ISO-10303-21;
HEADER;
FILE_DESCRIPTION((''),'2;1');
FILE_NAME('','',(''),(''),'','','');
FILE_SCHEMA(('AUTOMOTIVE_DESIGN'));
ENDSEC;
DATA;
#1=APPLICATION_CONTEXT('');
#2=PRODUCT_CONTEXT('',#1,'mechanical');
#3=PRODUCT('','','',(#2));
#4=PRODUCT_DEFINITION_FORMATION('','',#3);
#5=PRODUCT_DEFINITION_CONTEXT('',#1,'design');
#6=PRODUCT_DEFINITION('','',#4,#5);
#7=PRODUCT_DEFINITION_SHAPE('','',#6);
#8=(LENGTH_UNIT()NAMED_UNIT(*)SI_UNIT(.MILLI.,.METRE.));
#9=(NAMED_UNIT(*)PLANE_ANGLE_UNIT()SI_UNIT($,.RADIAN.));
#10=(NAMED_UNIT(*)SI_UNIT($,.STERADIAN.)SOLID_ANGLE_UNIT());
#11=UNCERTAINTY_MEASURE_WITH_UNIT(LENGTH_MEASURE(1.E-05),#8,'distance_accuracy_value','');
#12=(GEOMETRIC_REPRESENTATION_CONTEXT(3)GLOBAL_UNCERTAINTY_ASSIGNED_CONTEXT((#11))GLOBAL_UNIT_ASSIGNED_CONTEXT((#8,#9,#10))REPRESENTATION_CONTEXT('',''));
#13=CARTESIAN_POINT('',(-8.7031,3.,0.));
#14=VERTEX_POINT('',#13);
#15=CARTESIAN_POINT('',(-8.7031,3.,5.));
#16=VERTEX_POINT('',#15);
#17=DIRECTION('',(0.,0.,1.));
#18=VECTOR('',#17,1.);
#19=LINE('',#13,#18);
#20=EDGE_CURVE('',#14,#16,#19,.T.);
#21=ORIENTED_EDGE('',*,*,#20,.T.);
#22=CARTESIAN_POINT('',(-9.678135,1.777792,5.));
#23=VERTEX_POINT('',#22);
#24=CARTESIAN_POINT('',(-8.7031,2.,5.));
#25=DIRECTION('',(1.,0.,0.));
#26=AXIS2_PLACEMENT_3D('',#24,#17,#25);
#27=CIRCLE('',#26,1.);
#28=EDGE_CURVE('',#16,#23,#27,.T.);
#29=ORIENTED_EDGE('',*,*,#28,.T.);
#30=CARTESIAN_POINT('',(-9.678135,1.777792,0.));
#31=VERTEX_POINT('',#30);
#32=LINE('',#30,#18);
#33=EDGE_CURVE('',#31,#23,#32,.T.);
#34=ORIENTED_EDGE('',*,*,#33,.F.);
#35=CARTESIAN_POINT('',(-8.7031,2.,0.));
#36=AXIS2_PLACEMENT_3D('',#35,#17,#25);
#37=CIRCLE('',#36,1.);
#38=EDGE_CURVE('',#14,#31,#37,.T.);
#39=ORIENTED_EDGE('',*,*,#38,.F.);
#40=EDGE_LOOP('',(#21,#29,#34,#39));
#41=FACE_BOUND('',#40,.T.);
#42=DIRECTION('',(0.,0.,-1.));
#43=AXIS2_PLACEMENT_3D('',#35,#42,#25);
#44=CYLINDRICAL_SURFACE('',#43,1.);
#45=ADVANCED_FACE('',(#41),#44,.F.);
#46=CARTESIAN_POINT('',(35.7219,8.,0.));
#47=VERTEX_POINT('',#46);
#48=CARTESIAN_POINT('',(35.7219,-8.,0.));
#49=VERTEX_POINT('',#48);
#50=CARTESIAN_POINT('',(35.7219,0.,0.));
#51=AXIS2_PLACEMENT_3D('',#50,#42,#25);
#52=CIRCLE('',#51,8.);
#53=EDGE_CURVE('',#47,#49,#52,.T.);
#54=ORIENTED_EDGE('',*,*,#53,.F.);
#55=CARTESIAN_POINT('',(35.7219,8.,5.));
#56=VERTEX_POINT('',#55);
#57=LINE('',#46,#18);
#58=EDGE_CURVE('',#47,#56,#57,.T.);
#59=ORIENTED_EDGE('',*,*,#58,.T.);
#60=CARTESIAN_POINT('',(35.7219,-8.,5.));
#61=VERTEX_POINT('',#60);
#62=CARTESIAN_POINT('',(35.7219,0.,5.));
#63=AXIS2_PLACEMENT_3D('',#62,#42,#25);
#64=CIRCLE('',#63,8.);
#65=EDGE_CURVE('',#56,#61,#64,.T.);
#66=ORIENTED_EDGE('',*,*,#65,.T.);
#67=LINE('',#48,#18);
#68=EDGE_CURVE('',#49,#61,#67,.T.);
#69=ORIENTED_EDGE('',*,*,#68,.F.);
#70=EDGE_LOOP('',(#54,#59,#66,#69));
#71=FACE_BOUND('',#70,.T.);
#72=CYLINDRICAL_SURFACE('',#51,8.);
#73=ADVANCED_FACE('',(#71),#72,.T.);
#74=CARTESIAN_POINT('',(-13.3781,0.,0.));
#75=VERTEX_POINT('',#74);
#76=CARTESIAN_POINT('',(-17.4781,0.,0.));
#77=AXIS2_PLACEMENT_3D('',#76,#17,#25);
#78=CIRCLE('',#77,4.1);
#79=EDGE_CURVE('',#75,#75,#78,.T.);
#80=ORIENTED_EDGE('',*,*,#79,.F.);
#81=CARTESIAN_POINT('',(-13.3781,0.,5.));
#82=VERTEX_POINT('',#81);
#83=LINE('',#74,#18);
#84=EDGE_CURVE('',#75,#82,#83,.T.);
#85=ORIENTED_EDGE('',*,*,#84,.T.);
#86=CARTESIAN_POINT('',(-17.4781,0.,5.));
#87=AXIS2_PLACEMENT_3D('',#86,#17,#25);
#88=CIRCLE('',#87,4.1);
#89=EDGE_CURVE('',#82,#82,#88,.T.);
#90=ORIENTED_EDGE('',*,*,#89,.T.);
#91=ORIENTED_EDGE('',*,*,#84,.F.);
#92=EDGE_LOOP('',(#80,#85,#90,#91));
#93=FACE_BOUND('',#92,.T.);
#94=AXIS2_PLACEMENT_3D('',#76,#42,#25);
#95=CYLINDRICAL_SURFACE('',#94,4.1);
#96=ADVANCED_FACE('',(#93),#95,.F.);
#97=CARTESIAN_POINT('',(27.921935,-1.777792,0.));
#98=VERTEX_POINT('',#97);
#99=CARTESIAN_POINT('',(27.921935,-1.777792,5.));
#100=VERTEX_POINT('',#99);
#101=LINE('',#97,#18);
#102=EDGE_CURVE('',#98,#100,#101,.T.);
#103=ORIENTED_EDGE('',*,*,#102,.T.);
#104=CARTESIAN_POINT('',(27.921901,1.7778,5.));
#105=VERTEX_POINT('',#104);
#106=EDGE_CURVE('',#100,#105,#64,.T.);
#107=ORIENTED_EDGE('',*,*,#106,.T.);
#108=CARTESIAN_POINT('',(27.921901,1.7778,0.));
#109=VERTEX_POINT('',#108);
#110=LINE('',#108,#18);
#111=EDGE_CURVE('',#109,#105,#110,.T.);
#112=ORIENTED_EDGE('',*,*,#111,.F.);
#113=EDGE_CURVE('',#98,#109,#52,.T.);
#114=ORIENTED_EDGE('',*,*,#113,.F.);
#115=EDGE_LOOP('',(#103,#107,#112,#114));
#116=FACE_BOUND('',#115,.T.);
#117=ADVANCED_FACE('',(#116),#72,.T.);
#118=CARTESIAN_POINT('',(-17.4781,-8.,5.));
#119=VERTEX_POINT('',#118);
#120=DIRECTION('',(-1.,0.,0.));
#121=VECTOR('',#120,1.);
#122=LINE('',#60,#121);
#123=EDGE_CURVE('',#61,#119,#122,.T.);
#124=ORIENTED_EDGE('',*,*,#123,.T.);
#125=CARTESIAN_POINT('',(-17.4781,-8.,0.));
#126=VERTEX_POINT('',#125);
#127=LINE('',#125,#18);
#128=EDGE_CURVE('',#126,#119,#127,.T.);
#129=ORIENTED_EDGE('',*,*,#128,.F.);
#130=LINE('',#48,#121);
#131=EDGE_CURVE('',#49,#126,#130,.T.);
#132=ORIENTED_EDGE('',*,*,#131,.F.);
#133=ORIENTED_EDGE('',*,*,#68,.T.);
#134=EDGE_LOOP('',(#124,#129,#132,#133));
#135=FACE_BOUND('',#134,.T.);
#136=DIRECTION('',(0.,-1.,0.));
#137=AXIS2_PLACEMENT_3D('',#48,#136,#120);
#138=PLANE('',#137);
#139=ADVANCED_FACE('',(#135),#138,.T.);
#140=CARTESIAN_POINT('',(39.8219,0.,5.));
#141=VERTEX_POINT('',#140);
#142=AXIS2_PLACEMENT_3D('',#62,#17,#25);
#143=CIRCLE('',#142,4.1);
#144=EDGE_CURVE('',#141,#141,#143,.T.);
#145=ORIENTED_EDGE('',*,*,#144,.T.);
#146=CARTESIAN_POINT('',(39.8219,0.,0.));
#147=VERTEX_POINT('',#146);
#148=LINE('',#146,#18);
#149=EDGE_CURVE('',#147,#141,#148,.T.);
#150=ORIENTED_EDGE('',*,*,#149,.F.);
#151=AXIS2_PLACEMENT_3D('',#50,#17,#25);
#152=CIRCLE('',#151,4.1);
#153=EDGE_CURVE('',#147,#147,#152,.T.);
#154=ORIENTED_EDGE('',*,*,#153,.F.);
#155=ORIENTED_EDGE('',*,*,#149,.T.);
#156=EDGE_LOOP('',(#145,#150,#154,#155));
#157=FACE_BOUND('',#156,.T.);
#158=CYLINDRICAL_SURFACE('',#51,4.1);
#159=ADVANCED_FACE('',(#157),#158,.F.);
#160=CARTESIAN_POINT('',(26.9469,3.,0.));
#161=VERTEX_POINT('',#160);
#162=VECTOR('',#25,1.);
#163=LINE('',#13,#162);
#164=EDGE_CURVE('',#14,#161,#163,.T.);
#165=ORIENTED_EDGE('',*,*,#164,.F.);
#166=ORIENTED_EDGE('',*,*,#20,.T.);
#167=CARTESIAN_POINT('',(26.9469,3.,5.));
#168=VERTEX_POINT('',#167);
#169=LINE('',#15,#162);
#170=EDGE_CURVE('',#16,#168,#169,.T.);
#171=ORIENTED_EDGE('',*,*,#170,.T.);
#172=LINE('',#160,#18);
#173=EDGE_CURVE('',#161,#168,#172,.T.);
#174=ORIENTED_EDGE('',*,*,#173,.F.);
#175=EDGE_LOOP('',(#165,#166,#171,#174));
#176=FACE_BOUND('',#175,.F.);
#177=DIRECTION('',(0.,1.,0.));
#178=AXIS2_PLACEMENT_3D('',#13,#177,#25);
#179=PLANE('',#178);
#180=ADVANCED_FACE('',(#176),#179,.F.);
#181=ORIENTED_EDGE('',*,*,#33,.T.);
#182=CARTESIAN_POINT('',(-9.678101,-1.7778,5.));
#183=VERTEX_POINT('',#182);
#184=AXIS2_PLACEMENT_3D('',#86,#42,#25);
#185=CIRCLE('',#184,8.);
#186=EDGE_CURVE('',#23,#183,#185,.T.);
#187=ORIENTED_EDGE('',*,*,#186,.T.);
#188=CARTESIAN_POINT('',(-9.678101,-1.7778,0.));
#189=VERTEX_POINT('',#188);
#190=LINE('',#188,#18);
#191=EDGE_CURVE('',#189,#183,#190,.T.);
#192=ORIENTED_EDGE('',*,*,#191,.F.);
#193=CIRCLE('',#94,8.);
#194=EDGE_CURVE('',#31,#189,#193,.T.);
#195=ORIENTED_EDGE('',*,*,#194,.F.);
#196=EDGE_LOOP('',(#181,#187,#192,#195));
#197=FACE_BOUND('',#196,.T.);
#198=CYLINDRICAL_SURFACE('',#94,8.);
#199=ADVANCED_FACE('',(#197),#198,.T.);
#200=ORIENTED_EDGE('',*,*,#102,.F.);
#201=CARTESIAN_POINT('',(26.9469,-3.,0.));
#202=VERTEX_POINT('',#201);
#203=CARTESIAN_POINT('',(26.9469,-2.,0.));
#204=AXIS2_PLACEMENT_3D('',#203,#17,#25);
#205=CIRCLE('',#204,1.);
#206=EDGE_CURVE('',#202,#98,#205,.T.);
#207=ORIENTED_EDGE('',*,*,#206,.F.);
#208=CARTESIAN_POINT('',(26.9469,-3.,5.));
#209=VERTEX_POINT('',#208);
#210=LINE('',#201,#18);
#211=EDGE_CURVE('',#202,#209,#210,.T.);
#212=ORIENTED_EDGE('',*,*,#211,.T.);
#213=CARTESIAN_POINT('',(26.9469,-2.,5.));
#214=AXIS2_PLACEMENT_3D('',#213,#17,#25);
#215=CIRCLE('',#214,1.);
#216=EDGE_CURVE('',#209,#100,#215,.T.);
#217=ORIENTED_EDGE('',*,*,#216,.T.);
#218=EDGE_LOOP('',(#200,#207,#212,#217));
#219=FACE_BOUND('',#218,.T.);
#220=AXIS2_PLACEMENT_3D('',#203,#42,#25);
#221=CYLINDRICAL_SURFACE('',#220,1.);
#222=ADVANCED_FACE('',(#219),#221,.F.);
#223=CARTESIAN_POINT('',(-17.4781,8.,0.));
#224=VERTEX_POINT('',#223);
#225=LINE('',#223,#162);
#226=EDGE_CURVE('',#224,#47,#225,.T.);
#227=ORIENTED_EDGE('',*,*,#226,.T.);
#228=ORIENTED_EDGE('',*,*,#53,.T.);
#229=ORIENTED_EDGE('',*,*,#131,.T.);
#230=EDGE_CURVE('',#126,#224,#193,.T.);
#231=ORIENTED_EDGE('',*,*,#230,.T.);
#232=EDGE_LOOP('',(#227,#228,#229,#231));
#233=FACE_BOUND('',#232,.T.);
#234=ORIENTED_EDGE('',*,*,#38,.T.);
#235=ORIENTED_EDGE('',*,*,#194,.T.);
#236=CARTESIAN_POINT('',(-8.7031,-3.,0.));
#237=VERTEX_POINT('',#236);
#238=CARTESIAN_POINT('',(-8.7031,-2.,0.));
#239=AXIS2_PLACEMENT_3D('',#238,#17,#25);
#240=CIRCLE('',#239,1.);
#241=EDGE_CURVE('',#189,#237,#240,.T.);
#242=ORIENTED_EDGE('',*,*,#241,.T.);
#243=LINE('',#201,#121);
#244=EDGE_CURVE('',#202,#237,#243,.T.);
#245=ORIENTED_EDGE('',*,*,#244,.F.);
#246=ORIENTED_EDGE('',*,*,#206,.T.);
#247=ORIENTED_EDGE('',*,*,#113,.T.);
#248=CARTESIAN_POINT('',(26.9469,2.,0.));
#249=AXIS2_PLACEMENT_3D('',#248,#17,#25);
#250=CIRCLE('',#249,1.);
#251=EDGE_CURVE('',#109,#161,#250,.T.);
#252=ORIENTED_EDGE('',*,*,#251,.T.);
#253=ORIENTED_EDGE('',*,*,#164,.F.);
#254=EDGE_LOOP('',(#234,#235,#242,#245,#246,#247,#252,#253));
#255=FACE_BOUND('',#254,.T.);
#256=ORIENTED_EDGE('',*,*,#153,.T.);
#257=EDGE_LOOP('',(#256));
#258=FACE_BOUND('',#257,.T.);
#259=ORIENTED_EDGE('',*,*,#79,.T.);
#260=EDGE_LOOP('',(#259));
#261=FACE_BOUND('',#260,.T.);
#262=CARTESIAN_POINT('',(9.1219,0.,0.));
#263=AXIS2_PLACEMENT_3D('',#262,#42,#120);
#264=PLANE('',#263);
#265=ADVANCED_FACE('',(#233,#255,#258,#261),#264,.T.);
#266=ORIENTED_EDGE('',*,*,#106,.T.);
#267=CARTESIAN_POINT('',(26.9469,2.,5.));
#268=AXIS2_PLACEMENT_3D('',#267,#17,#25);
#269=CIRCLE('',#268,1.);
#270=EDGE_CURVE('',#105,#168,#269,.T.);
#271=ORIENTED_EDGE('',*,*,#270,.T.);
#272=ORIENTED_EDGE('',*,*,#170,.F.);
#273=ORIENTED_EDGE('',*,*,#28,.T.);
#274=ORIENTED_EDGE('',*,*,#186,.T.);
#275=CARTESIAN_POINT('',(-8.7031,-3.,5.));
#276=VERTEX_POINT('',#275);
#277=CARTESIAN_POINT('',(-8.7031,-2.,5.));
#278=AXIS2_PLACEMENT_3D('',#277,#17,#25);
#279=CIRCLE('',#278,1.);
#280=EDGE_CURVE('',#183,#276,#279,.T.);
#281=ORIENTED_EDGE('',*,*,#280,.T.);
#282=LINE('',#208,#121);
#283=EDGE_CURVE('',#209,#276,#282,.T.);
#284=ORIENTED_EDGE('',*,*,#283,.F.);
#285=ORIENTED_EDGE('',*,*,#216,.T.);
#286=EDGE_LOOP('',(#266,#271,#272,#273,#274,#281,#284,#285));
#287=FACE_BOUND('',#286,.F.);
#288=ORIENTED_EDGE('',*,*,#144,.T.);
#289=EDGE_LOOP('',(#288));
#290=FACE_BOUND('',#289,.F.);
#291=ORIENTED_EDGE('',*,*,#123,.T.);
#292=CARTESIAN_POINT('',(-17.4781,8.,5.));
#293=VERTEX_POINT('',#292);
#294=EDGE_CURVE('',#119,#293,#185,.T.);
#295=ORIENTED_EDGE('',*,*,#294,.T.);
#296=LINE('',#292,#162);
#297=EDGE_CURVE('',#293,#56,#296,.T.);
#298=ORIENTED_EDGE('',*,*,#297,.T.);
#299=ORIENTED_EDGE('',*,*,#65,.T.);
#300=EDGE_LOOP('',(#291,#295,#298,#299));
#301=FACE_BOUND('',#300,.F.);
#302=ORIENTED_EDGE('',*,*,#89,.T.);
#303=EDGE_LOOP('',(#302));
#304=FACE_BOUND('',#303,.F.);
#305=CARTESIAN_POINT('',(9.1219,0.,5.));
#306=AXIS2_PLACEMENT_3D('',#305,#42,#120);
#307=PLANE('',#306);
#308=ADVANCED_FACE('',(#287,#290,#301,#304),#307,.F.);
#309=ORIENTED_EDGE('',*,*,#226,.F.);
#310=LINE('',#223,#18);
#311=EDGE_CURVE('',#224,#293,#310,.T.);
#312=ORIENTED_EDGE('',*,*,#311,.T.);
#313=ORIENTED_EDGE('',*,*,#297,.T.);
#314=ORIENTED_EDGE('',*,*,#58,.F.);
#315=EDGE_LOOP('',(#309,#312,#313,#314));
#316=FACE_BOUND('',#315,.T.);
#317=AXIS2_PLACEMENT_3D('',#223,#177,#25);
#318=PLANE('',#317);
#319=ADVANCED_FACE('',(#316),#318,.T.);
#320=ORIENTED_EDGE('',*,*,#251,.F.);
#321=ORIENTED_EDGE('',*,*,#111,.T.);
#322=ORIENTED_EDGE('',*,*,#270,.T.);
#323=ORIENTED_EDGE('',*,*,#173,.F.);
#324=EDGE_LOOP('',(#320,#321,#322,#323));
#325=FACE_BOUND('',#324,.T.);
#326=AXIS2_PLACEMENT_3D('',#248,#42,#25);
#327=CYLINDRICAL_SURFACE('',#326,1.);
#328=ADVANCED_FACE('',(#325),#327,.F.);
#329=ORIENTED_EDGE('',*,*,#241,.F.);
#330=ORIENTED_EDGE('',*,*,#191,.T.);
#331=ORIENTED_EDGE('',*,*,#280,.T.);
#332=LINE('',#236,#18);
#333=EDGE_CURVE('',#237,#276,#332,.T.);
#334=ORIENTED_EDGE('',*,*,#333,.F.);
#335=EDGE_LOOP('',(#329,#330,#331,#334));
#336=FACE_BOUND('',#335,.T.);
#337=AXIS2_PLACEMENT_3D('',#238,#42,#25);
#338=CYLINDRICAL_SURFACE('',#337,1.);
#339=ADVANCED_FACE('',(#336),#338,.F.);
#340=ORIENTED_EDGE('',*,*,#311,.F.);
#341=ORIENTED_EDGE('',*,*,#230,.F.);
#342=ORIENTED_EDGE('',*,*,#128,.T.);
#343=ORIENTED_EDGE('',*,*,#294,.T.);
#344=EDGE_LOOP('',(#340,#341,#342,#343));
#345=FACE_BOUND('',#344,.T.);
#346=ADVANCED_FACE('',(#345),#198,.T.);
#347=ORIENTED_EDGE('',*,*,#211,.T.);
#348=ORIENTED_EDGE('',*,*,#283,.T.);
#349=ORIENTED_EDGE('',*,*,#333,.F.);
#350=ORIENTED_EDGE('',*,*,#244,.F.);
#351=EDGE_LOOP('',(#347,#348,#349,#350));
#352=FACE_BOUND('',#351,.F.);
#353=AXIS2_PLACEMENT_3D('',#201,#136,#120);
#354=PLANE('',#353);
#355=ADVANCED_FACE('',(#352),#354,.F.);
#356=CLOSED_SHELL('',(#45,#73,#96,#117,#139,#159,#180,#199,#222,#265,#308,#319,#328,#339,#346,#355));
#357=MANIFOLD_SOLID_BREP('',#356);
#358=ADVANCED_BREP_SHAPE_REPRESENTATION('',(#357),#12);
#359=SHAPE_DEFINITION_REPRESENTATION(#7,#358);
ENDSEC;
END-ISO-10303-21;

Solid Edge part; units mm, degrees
sketch "Sketch1" plane through (0, 0, 0) normal (0, 0, 1) x (1, 0, 0)
  circle A0 centre (-17.4781, 0) radius 4.1
  line L0 (-17.4781, 8) -> (35.7219, 8)
  line L1 (35.7219, -8) -> (-17.4781, -8)
  arc A1 (-17.4781, -8) -> (-17.4781, 8) centre (-17.4781, 0) cw
  arc A2 (35.7219, 8) -> (35.7219, -8) centre (35.7219, 0) cw
  line L2 (-8.7031, 3) -> (26.9469, 3)
  arc A3 (27.9219, 1.7778) -> (26.9469, 3) centre (26.9469, 2) ccw
  arc A4 (27.9219, -1.7778) -> (27.9219, 1.7778) centre (35.7219, 0) cw
  arc A5 (26.9469, -3) -> (27.9219, -1.7778) centre (26.9469, -2) ccw
  line L3 (26.9469, -3) -> (-8.7031, -3)
  arc A6 (-9.6781, -1.7778) -> (-8.7031, -3) centre (-8.7031, -2) ccw
  arc A7 (-9.6781, 1.7778) -> (-9.6781, -1.7778) centre (-17.4781, 0) cw
  arc A8 (-8.7031, 3) -> (-9.6781, 1.7778) centre (-8.7031, 2) ccw
  circle A9 centre (35.7219, 0) radius 4.1
extrude "Protrusion1" add sketch "Sketch1" along normal blind 5
extrude "Cutout1" [suppressed]
extrude "ExtrudedProtrusion_2" [suppressed]
